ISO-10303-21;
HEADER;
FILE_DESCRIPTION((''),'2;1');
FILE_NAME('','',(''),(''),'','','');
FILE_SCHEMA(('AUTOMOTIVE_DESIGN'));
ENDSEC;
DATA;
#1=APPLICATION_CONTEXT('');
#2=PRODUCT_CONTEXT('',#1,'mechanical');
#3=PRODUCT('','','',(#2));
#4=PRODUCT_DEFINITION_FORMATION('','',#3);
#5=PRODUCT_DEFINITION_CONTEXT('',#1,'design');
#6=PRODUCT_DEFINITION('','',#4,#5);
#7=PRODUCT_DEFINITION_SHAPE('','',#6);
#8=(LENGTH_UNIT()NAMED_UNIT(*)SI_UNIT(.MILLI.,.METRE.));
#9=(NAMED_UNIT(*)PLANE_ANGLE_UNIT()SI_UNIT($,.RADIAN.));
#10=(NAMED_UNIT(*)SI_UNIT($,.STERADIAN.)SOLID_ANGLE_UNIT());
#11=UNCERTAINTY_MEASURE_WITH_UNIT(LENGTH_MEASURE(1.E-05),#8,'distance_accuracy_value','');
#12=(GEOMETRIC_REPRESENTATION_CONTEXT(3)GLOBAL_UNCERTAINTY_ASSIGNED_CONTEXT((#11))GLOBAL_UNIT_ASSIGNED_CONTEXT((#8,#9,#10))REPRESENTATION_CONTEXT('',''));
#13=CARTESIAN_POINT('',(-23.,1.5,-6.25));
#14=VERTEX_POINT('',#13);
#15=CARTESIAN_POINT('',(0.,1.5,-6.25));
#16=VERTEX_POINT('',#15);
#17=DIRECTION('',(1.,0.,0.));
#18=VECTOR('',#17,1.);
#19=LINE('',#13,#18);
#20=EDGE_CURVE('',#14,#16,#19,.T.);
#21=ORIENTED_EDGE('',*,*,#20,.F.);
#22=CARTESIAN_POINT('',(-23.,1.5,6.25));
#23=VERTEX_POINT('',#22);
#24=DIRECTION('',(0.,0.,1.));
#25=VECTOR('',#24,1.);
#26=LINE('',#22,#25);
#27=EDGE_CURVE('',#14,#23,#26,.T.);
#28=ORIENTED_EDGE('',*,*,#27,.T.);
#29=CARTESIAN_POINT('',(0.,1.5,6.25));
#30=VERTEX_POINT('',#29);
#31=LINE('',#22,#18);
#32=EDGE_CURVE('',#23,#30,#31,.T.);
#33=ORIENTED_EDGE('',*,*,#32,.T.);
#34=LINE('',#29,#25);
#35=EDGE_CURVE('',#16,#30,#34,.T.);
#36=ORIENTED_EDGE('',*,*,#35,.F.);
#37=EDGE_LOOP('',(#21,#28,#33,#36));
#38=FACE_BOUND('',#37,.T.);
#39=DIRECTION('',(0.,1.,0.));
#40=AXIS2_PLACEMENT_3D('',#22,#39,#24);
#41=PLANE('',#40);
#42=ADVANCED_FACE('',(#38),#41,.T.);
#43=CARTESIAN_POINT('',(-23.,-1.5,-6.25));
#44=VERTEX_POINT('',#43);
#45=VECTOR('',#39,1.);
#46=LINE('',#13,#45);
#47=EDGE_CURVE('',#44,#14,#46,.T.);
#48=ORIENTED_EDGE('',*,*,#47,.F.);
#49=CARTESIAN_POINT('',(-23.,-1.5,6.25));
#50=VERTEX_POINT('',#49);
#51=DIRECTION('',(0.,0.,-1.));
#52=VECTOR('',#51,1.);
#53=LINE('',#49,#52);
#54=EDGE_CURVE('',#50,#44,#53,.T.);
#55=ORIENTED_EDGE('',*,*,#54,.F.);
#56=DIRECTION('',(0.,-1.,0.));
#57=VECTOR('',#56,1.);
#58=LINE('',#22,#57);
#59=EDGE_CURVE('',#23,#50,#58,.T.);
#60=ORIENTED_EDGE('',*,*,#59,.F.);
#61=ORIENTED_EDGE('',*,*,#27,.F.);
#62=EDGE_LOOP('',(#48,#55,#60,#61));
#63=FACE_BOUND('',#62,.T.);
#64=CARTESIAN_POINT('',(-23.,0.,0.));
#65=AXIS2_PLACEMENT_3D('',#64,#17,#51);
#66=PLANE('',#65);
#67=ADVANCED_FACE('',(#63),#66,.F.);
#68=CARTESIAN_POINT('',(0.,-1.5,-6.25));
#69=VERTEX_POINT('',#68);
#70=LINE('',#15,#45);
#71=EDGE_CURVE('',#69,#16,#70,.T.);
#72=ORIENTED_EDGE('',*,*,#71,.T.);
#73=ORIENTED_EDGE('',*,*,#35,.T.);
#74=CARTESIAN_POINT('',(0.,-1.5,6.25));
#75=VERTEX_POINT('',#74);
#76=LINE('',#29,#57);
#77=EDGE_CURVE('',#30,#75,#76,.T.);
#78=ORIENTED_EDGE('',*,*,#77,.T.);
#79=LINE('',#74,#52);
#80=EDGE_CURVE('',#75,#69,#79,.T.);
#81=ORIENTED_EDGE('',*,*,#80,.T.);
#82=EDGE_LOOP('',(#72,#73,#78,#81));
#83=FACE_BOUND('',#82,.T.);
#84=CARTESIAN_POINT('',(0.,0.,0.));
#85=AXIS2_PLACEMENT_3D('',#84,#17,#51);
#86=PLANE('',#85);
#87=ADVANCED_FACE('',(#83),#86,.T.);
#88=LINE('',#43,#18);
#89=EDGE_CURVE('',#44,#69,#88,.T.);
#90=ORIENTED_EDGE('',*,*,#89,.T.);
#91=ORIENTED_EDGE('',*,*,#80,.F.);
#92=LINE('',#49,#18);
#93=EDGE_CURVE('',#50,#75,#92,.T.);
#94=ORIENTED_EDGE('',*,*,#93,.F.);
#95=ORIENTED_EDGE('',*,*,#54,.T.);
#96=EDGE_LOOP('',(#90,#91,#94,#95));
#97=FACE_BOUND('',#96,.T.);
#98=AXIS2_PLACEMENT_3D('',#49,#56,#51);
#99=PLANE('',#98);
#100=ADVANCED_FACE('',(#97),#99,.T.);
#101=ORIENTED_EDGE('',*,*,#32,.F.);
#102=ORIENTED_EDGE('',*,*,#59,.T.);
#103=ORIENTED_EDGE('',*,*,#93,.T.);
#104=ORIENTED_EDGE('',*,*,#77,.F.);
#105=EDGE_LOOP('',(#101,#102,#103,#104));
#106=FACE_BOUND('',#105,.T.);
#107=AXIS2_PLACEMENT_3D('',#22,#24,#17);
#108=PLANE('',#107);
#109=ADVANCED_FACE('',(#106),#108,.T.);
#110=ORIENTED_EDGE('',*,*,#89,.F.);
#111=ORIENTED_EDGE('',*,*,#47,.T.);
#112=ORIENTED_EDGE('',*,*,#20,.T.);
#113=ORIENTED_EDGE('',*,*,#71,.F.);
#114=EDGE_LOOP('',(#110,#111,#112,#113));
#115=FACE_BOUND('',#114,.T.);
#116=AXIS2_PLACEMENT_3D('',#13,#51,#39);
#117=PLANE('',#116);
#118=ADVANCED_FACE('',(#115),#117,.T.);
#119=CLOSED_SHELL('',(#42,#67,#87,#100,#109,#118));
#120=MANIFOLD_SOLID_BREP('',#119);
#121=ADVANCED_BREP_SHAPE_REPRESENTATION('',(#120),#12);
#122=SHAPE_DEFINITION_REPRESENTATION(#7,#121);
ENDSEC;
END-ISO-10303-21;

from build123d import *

# Parameters (mm, degrees)
SKETCH1_W           = 12.5
SKETCH1_H           = 3
BOSS_EXTRUDE1_DEPTH = 23


with BuildPart() as part:
    # Sketch1 → Boss-Extrude1 (new body)
    with BuildSketch(Plane(origin=(0, 0, 0), x_dir=(0, 0, -1), z_dir=(1, 0, 0))):
        Rectangle(SKETCH1_W, SKETCH1_H)
    extrude(amount=-BOSS_EXTRUDE1_DEPTH)


solid = part.part
